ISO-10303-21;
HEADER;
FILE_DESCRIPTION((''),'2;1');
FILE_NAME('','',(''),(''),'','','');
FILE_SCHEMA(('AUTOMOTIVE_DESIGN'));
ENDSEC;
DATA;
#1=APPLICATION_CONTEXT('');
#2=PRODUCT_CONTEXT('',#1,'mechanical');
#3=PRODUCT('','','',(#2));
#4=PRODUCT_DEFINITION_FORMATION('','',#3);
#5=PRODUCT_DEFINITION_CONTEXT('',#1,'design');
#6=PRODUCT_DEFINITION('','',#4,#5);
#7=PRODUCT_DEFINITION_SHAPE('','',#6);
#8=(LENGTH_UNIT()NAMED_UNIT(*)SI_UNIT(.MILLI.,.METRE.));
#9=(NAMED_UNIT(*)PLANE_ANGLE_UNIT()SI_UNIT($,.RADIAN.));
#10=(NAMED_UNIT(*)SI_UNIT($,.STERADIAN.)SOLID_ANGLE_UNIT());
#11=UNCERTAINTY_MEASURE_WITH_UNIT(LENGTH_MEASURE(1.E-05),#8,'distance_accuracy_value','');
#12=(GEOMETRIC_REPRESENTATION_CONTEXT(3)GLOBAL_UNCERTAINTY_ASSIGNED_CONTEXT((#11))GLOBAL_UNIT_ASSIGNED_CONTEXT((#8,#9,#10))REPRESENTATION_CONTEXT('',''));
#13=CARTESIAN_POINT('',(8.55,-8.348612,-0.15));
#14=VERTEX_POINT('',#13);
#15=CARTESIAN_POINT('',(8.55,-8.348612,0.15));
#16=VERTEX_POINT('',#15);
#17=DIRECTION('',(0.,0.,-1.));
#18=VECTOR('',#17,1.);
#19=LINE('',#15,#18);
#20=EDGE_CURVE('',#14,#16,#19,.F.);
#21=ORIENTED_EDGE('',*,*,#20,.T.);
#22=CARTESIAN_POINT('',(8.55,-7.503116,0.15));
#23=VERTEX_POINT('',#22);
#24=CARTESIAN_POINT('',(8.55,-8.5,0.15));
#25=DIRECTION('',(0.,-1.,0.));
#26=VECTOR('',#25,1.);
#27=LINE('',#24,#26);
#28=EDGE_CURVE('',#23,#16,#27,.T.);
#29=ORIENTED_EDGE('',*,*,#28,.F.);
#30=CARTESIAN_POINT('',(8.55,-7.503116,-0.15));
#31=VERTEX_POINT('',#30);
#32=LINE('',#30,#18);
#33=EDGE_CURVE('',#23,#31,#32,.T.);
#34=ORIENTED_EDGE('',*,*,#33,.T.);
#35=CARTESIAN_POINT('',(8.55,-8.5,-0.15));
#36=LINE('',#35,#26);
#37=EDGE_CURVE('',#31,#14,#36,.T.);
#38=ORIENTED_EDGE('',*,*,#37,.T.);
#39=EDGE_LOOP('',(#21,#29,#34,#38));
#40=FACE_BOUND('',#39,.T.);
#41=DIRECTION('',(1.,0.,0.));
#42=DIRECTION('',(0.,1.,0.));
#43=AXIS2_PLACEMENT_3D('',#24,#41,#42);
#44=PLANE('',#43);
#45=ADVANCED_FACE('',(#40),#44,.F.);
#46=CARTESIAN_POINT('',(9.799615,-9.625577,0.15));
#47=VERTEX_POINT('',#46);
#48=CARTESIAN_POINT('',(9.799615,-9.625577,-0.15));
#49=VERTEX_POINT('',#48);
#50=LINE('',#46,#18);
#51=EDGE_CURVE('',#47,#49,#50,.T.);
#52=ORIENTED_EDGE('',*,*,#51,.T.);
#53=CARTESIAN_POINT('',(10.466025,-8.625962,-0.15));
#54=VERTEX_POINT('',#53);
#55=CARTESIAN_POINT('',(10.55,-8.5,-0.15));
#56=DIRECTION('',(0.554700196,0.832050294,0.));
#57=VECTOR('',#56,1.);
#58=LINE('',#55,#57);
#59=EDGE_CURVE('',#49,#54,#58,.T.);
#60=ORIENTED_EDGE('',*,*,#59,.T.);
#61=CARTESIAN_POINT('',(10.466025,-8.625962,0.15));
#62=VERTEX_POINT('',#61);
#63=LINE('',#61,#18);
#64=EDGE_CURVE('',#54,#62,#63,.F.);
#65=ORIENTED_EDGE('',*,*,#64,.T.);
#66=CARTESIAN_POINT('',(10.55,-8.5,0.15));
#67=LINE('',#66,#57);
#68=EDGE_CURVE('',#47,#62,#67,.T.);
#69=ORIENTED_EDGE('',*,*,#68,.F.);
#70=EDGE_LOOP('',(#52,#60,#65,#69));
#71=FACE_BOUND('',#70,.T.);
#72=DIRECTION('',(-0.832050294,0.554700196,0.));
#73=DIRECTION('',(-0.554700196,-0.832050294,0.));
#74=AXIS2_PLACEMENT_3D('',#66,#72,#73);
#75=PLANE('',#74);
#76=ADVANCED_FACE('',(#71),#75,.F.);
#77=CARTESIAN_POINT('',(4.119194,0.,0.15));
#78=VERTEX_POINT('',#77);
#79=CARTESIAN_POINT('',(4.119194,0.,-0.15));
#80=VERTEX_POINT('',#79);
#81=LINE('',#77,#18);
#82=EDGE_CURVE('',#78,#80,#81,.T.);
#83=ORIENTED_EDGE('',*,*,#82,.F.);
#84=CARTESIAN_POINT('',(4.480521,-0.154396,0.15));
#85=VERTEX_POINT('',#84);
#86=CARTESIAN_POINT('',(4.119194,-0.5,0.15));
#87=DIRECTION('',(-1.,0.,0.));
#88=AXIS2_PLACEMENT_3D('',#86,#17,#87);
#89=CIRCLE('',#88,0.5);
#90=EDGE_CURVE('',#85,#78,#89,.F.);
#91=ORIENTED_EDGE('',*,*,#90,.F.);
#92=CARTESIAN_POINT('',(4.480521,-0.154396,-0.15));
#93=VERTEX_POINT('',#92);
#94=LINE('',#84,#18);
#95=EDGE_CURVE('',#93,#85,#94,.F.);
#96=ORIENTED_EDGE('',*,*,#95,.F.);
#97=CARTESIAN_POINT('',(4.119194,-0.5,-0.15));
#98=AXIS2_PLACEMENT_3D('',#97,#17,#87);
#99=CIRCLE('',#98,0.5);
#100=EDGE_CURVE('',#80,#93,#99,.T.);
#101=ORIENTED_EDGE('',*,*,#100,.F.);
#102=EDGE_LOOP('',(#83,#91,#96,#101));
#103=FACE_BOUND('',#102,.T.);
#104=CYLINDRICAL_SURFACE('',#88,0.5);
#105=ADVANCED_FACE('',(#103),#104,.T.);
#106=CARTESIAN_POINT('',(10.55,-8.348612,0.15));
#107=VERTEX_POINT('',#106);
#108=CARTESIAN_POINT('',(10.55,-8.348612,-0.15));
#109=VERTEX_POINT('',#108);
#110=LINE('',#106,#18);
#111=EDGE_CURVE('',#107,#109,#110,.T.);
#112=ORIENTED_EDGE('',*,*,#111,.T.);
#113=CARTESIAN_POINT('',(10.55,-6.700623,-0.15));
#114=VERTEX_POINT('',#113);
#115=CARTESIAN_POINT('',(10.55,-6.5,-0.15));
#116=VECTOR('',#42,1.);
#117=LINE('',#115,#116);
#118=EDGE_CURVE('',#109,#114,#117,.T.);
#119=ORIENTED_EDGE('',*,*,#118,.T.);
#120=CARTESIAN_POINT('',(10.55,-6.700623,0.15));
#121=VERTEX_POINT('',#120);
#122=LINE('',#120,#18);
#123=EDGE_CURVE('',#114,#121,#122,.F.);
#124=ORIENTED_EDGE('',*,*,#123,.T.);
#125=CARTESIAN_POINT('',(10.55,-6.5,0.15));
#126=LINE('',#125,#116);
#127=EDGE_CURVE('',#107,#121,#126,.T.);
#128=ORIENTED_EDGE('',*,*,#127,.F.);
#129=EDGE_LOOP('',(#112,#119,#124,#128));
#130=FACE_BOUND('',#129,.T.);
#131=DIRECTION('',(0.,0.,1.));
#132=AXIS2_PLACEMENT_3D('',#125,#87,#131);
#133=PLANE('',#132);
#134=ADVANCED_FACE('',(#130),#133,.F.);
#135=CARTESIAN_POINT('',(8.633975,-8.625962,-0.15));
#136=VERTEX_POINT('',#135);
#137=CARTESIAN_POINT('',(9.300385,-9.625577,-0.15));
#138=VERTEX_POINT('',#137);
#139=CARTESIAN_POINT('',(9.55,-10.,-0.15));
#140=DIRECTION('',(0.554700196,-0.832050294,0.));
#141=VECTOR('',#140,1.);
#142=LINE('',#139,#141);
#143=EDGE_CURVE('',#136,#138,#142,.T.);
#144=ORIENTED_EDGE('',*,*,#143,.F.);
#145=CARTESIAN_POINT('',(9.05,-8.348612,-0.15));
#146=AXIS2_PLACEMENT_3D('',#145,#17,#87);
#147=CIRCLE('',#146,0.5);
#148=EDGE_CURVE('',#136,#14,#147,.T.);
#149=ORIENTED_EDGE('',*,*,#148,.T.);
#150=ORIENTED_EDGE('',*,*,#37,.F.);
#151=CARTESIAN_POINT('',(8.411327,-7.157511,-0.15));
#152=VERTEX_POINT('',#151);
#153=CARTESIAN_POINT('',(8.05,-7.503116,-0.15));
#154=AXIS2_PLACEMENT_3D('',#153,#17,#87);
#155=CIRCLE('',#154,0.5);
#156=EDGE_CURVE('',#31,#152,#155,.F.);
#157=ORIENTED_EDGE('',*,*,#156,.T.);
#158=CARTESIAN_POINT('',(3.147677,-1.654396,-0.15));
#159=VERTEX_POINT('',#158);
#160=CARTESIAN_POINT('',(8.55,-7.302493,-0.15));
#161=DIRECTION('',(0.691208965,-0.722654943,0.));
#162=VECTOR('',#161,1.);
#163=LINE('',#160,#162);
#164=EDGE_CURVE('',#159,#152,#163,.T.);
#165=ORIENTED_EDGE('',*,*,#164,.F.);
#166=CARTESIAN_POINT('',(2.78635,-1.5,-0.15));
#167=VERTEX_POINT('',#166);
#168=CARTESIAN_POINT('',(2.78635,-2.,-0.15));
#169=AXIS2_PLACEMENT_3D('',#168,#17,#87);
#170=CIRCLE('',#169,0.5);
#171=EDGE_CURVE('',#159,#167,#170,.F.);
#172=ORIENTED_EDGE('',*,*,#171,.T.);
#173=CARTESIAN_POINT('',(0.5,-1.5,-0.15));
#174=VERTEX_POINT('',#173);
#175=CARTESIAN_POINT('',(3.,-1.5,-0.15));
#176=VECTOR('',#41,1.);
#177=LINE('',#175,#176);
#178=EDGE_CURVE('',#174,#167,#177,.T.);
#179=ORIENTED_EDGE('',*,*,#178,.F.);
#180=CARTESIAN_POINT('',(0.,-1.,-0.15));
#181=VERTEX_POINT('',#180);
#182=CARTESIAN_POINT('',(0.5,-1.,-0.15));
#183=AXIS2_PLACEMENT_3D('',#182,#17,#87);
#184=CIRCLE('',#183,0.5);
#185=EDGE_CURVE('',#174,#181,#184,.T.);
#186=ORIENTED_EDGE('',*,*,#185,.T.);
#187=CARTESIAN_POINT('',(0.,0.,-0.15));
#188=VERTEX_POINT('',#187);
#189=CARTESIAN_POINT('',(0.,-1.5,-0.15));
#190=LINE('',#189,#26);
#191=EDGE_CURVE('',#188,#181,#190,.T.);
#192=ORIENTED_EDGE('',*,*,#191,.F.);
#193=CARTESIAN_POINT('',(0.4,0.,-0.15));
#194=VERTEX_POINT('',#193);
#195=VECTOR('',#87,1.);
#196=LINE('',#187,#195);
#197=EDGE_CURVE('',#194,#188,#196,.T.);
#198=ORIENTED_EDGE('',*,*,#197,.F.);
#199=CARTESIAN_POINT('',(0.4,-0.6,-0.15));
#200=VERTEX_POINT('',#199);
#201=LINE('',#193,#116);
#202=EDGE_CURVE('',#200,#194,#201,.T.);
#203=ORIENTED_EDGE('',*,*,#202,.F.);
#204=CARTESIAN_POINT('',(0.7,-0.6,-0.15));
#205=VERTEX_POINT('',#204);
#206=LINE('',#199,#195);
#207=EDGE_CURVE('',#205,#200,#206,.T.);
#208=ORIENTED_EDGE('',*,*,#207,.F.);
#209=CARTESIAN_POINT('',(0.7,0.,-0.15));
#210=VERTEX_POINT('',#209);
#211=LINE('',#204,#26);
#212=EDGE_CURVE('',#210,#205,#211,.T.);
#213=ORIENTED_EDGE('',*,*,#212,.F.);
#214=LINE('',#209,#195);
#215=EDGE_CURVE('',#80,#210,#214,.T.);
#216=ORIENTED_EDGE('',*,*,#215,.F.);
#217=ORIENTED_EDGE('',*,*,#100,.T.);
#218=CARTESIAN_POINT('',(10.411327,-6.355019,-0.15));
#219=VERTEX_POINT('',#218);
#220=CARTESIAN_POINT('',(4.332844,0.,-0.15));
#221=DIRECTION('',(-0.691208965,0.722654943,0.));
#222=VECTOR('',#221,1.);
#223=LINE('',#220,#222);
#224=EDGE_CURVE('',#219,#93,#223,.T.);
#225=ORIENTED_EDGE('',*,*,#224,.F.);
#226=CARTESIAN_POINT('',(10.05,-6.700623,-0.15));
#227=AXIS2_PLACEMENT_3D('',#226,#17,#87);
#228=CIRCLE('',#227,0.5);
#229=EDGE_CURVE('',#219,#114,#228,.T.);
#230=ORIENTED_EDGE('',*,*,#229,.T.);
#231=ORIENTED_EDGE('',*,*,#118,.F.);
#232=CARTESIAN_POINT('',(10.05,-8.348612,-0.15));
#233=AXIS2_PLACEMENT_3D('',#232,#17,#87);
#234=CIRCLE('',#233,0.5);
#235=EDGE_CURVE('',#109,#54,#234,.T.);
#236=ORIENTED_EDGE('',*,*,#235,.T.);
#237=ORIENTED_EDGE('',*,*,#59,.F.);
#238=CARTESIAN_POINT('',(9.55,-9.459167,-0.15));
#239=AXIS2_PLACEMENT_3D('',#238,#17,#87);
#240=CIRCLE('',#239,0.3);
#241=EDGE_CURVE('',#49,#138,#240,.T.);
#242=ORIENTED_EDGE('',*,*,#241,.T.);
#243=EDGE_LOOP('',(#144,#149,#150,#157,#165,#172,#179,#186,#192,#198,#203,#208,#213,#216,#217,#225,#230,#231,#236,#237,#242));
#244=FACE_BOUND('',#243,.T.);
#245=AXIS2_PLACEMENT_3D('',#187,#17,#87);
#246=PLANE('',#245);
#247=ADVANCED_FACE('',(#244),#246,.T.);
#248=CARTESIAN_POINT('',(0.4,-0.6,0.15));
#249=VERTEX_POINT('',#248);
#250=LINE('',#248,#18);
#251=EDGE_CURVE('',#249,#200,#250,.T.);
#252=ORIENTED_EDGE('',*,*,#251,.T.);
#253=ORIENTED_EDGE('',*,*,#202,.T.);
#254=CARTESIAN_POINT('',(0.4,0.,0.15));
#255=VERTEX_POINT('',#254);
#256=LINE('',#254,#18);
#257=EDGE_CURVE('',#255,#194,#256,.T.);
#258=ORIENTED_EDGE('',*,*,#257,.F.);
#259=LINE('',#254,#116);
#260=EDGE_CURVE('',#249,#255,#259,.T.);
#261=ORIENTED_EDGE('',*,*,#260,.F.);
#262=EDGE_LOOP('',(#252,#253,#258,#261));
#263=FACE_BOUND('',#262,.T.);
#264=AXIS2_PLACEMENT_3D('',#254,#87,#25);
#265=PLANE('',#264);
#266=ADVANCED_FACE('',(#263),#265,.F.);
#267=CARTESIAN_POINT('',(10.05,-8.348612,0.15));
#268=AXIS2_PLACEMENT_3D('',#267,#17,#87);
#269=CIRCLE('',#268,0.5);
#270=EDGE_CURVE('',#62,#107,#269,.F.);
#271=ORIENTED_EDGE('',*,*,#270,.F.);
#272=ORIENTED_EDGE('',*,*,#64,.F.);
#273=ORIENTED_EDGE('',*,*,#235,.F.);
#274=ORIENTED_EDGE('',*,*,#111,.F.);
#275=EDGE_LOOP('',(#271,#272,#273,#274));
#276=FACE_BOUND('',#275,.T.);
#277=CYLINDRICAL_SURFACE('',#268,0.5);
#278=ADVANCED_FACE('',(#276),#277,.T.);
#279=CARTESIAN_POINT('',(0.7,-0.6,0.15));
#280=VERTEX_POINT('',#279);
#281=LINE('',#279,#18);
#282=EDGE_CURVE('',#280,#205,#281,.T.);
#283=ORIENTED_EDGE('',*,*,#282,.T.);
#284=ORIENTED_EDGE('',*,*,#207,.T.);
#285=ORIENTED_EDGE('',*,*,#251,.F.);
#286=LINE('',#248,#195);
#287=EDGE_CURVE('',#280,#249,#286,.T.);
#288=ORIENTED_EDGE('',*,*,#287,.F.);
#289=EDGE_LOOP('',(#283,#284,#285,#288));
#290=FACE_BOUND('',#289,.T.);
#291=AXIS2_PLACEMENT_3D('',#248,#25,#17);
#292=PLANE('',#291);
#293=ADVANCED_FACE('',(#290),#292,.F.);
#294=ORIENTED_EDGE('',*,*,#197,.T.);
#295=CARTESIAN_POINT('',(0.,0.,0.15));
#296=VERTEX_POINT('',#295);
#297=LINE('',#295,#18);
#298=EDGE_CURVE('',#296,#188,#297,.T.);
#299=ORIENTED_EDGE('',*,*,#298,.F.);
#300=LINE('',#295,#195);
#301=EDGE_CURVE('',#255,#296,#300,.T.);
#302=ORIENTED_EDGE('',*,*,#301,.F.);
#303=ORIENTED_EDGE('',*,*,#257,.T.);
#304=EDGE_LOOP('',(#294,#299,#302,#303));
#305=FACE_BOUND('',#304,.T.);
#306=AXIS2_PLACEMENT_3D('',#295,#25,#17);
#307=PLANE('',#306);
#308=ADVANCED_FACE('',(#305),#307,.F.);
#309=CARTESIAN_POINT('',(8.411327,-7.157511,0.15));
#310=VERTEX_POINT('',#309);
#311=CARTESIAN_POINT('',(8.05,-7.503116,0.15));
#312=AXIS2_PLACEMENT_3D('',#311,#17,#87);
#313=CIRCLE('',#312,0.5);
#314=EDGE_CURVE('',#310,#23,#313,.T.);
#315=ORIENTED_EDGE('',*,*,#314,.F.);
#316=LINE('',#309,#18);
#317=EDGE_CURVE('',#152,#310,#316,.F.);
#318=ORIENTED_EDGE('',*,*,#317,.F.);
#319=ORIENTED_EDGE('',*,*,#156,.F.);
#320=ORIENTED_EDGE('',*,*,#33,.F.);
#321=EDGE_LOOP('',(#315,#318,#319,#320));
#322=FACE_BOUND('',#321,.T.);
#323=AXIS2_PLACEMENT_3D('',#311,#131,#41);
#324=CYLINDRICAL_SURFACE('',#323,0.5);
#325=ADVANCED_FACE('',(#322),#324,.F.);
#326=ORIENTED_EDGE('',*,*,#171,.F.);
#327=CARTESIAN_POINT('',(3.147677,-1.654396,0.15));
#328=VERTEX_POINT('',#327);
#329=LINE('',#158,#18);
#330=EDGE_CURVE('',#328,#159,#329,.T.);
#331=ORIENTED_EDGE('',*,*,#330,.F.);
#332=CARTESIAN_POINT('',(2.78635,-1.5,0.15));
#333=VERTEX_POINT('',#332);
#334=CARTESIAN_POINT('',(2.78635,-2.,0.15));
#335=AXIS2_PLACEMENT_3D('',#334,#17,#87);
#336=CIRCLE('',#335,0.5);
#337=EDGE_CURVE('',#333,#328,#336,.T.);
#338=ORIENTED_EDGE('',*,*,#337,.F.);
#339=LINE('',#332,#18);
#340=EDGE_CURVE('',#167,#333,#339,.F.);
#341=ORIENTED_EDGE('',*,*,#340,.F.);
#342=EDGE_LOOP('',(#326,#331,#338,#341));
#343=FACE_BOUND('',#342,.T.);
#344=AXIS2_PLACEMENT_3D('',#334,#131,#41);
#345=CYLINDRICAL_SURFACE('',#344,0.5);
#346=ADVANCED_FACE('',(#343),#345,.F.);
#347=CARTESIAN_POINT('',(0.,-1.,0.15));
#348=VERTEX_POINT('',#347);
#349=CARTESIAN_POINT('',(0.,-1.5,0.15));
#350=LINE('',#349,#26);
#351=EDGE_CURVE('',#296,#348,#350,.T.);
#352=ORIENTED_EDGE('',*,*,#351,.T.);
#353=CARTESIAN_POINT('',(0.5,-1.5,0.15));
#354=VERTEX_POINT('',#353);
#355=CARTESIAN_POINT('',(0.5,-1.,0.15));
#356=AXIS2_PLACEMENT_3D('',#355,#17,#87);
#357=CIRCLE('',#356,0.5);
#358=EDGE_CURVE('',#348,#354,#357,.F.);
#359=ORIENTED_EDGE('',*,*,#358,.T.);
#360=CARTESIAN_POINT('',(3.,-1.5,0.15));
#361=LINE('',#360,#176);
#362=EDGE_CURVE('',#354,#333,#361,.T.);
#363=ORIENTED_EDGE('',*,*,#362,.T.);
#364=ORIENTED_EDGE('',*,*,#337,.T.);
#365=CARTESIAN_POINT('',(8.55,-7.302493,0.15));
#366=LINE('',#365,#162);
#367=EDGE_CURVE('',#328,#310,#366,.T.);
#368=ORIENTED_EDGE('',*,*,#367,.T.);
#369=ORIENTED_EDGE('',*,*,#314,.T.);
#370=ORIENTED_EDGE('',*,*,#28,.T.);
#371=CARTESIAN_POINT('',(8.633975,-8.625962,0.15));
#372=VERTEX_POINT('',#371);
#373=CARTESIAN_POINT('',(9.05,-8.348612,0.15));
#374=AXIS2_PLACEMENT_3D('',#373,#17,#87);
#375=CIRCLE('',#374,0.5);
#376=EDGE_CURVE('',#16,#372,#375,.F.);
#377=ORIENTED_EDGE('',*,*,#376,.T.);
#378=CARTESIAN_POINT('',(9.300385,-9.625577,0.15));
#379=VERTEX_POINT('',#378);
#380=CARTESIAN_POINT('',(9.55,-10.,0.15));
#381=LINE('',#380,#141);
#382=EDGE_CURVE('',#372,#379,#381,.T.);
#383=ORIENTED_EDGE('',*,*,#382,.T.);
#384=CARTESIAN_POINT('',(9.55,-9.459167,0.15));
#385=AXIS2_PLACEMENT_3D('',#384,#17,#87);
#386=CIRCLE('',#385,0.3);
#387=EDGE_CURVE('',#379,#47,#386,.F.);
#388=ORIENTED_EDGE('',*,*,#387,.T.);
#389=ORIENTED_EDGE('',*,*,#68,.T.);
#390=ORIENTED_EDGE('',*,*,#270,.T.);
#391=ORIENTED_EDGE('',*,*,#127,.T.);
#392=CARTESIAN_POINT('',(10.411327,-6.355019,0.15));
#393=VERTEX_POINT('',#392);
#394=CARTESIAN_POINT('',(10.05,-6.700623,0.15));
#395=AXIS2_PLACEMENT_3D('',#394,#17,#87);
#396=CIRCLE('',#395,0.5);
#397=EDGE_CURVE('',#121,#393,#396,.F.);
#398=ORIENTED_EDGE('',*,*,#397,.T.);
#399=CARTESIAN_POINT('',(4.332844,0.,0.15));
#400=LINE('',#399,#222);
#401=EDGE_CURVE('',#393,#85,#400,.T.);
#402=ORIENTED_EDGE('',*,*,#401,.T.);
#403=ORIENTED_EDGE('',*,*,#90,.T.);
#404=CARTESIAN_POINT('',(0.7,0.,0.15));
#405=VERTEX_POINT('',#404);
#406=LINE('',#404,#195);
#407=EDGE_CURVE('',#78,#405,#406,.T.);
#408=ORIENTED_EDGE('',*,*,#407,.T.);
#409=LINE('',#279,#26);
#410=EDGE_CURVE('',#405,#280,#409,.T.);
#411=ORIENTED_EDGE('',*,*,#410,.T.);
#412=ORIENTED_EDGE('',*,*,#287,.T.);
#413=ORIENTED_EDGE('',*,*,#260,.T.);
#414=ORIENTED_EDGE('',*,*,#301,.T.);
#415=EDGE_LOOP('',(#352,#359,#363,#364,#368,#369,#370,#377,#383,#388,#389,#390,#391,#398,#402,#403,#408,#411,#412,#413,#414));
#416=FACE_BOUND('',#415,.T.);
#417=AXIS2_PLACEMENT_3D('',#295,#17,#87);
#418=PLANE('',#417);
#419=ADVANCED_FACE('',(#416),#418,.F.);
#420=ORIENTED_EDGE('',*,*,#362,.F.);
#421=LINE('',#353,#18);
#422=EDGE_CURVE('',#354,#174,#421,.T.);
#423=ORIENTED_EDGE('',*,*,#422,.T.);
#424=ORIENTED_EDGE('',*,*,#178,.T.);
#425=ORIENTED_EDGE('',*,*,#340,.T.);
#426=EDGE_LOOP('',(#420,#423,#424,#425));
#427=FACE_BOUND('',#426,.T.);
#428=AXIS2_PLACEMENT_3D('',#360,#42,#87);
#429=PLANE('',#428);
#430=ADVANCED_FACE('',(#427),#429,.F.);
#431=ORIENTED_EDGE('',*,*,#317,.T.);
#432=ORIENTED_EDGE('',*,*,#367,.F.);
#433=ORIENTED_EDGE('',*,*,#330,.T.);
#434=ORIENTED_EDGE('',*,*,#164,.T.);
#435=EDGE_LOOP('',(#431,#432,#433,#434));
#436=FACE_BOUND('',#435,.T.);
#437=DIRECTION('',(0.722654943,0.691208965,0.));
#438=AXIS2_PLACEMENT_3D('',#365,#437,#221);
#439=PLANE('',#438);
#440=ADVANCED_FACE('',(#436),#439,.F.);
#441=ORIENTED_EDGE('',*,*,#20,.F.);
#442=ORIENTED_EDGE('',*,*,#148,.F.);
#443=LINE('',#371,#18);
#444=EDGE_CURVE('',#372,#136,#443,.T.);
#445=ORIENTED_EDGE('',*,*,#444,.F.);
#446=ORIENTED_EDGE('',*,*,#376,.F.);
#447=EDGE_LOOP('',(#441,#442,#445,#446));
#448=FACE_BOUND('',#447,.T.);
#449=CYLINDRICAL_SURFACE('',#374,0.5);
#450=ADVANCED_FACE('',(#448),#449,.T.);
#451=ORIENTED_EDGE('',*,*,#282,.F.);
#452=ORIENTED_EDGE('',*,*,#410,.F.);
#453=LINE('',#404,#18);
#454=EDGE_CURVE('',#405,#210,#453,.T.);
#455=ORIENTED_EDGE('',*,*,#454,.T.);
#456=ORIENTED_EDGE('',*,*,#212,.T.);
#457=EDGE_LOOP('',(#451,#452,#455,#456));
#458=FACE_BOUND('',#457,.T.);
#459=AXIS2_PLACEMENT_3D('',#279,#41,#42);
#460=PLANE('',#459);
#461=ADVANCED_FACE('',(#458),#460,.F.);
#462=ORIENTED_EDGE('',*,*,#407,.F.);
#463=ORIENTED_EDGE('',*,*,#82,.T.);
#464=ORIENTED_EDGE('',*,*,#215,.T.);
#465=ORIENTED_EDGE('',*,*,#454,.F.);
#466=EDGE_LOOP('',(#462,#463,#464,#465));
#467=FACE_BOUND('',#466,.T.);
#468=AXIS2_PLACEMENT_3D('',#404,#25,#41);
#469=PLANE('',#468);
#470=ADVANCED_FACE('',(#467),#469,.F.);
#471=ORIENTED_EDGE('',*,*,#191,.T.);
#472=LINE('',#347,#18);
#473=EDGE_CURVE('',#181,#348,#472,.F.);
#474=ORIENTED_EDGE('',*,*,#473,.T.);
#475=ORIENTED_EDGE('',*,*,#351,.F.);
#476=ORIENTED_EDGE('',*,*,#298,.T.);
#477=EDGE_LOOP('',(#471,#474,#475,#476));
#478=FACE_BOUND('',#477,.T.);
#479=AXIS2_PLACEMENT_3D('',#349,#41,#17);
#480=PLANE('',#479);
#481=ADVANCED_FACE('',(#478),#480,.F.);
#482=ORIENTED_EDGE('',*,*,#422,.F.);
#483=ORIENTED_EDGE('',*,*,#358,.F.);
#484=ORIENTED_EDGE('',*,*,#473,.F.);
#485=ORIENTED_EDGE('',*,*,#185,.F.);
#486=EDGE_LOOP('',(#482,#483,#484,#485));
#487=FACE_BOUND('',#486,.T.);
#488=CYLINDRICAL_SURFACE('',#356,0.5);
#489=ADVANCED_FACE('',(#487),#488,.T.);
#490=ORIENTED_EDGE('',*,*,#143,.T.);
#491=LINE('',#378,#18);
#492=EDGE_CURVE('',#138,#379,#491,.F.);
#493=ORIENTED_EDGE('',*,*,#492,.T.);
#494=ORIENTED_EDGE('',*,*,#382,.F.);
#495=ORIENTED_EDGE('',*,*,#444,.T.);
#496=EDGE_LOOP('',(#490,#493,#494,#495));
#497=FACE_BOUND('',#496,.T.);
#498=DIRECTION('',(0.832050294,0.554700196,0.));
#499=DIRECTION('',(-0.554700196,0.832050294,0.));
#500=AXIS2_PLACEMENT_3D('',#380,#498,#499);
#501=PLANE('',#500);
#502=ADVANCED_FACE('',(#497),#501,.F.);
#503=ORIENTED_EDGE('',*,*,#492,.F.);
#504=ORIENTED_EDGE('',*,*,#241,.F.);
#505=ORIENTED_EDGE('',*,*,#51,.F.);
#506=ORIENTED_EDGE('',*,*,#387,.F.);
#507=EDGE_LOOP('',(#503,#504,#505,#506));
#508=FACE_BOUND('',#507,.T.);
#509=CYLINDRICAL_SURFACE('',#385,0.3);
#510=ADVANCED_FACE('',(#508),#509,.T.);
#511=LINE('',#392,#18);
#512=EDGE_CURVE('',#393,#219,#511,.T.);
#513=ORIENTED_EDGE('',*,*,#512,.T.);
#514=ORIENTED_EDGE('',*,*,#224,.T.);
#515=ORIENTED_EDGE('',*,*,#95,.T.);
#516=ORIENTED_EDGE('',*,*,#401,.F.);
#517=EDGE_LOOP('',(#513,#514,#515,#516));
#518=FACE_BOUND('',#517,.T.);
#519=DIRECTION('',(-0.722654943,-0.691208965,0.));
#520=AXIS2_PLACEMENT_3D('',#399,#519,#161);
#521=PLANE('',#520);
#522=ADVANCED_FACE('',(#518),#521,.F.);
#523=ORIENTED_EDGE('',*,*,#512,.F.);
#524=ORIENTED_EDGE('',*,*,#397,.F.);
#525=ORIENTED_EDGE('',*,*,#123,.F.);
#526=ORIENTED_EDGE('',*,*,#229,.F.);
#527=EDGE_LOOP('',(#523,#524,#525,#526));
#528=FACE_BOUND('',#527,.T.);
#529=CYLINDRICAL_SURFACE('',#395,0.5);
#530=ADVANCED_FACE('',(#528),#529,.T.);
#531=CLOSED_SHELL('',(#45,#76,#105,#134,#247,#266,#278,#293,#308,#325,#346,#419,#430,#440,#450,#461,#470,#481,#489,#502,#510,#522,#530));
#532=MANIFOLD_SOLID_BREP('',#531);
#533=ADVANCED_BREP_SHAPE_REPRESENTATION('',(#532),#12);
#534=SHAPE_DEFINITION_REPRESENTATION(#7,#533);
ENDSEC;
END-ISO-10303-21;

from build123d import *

# Parameters (mm, degrees)
BOSS_EXTRUDE1_DEPTH = 0.15
FILLET1_R           = 0.3
FILLET2_R           = 0.5


with BuildPart() as part:
    # Sketch1 → Boss-Extrude1 (new, symmetric)
    with BuildSketch(Plane.XY):
        Polygon((0, 0), (0.4, 0), (0.4, -0.6), (0.7, -0.6), (0.7, 0), (4.332844343, 0), (10.55, -6.5), (10.55, -8.5), (9.55, -10), (8.55, -8.5), (8.55, -7.302492649), (3, -1.5), (0, -1.5), align=None)
    extrude(amount=BOSS_EXTRUDE1_DEPTH, both=True)

    # Fillet1
    fillet1_edges = [part.edges().sort_by_distance(p)[0] for p in [
        (9.55, -10, 0),
    ]]
    fillet(fillet1_edges, radius=FILLET1_R)

    # Fillet2
    fillet2_edges = [part.edges().sort_by_distance(p)[0] for p in [
        (4.332844343, 0, 0),
        (10.55, -6.5, 0),
        (10.55, -8.5, 0),
        (8.55, -8.5, 0),
        (8.55, -7.302492649, 0),
        (3, -1.5, 0),
        (0, -1.5, 0),
    ]]
    fillet(fillet2_edges, radius=FILLET2_R)


solid = part.part
